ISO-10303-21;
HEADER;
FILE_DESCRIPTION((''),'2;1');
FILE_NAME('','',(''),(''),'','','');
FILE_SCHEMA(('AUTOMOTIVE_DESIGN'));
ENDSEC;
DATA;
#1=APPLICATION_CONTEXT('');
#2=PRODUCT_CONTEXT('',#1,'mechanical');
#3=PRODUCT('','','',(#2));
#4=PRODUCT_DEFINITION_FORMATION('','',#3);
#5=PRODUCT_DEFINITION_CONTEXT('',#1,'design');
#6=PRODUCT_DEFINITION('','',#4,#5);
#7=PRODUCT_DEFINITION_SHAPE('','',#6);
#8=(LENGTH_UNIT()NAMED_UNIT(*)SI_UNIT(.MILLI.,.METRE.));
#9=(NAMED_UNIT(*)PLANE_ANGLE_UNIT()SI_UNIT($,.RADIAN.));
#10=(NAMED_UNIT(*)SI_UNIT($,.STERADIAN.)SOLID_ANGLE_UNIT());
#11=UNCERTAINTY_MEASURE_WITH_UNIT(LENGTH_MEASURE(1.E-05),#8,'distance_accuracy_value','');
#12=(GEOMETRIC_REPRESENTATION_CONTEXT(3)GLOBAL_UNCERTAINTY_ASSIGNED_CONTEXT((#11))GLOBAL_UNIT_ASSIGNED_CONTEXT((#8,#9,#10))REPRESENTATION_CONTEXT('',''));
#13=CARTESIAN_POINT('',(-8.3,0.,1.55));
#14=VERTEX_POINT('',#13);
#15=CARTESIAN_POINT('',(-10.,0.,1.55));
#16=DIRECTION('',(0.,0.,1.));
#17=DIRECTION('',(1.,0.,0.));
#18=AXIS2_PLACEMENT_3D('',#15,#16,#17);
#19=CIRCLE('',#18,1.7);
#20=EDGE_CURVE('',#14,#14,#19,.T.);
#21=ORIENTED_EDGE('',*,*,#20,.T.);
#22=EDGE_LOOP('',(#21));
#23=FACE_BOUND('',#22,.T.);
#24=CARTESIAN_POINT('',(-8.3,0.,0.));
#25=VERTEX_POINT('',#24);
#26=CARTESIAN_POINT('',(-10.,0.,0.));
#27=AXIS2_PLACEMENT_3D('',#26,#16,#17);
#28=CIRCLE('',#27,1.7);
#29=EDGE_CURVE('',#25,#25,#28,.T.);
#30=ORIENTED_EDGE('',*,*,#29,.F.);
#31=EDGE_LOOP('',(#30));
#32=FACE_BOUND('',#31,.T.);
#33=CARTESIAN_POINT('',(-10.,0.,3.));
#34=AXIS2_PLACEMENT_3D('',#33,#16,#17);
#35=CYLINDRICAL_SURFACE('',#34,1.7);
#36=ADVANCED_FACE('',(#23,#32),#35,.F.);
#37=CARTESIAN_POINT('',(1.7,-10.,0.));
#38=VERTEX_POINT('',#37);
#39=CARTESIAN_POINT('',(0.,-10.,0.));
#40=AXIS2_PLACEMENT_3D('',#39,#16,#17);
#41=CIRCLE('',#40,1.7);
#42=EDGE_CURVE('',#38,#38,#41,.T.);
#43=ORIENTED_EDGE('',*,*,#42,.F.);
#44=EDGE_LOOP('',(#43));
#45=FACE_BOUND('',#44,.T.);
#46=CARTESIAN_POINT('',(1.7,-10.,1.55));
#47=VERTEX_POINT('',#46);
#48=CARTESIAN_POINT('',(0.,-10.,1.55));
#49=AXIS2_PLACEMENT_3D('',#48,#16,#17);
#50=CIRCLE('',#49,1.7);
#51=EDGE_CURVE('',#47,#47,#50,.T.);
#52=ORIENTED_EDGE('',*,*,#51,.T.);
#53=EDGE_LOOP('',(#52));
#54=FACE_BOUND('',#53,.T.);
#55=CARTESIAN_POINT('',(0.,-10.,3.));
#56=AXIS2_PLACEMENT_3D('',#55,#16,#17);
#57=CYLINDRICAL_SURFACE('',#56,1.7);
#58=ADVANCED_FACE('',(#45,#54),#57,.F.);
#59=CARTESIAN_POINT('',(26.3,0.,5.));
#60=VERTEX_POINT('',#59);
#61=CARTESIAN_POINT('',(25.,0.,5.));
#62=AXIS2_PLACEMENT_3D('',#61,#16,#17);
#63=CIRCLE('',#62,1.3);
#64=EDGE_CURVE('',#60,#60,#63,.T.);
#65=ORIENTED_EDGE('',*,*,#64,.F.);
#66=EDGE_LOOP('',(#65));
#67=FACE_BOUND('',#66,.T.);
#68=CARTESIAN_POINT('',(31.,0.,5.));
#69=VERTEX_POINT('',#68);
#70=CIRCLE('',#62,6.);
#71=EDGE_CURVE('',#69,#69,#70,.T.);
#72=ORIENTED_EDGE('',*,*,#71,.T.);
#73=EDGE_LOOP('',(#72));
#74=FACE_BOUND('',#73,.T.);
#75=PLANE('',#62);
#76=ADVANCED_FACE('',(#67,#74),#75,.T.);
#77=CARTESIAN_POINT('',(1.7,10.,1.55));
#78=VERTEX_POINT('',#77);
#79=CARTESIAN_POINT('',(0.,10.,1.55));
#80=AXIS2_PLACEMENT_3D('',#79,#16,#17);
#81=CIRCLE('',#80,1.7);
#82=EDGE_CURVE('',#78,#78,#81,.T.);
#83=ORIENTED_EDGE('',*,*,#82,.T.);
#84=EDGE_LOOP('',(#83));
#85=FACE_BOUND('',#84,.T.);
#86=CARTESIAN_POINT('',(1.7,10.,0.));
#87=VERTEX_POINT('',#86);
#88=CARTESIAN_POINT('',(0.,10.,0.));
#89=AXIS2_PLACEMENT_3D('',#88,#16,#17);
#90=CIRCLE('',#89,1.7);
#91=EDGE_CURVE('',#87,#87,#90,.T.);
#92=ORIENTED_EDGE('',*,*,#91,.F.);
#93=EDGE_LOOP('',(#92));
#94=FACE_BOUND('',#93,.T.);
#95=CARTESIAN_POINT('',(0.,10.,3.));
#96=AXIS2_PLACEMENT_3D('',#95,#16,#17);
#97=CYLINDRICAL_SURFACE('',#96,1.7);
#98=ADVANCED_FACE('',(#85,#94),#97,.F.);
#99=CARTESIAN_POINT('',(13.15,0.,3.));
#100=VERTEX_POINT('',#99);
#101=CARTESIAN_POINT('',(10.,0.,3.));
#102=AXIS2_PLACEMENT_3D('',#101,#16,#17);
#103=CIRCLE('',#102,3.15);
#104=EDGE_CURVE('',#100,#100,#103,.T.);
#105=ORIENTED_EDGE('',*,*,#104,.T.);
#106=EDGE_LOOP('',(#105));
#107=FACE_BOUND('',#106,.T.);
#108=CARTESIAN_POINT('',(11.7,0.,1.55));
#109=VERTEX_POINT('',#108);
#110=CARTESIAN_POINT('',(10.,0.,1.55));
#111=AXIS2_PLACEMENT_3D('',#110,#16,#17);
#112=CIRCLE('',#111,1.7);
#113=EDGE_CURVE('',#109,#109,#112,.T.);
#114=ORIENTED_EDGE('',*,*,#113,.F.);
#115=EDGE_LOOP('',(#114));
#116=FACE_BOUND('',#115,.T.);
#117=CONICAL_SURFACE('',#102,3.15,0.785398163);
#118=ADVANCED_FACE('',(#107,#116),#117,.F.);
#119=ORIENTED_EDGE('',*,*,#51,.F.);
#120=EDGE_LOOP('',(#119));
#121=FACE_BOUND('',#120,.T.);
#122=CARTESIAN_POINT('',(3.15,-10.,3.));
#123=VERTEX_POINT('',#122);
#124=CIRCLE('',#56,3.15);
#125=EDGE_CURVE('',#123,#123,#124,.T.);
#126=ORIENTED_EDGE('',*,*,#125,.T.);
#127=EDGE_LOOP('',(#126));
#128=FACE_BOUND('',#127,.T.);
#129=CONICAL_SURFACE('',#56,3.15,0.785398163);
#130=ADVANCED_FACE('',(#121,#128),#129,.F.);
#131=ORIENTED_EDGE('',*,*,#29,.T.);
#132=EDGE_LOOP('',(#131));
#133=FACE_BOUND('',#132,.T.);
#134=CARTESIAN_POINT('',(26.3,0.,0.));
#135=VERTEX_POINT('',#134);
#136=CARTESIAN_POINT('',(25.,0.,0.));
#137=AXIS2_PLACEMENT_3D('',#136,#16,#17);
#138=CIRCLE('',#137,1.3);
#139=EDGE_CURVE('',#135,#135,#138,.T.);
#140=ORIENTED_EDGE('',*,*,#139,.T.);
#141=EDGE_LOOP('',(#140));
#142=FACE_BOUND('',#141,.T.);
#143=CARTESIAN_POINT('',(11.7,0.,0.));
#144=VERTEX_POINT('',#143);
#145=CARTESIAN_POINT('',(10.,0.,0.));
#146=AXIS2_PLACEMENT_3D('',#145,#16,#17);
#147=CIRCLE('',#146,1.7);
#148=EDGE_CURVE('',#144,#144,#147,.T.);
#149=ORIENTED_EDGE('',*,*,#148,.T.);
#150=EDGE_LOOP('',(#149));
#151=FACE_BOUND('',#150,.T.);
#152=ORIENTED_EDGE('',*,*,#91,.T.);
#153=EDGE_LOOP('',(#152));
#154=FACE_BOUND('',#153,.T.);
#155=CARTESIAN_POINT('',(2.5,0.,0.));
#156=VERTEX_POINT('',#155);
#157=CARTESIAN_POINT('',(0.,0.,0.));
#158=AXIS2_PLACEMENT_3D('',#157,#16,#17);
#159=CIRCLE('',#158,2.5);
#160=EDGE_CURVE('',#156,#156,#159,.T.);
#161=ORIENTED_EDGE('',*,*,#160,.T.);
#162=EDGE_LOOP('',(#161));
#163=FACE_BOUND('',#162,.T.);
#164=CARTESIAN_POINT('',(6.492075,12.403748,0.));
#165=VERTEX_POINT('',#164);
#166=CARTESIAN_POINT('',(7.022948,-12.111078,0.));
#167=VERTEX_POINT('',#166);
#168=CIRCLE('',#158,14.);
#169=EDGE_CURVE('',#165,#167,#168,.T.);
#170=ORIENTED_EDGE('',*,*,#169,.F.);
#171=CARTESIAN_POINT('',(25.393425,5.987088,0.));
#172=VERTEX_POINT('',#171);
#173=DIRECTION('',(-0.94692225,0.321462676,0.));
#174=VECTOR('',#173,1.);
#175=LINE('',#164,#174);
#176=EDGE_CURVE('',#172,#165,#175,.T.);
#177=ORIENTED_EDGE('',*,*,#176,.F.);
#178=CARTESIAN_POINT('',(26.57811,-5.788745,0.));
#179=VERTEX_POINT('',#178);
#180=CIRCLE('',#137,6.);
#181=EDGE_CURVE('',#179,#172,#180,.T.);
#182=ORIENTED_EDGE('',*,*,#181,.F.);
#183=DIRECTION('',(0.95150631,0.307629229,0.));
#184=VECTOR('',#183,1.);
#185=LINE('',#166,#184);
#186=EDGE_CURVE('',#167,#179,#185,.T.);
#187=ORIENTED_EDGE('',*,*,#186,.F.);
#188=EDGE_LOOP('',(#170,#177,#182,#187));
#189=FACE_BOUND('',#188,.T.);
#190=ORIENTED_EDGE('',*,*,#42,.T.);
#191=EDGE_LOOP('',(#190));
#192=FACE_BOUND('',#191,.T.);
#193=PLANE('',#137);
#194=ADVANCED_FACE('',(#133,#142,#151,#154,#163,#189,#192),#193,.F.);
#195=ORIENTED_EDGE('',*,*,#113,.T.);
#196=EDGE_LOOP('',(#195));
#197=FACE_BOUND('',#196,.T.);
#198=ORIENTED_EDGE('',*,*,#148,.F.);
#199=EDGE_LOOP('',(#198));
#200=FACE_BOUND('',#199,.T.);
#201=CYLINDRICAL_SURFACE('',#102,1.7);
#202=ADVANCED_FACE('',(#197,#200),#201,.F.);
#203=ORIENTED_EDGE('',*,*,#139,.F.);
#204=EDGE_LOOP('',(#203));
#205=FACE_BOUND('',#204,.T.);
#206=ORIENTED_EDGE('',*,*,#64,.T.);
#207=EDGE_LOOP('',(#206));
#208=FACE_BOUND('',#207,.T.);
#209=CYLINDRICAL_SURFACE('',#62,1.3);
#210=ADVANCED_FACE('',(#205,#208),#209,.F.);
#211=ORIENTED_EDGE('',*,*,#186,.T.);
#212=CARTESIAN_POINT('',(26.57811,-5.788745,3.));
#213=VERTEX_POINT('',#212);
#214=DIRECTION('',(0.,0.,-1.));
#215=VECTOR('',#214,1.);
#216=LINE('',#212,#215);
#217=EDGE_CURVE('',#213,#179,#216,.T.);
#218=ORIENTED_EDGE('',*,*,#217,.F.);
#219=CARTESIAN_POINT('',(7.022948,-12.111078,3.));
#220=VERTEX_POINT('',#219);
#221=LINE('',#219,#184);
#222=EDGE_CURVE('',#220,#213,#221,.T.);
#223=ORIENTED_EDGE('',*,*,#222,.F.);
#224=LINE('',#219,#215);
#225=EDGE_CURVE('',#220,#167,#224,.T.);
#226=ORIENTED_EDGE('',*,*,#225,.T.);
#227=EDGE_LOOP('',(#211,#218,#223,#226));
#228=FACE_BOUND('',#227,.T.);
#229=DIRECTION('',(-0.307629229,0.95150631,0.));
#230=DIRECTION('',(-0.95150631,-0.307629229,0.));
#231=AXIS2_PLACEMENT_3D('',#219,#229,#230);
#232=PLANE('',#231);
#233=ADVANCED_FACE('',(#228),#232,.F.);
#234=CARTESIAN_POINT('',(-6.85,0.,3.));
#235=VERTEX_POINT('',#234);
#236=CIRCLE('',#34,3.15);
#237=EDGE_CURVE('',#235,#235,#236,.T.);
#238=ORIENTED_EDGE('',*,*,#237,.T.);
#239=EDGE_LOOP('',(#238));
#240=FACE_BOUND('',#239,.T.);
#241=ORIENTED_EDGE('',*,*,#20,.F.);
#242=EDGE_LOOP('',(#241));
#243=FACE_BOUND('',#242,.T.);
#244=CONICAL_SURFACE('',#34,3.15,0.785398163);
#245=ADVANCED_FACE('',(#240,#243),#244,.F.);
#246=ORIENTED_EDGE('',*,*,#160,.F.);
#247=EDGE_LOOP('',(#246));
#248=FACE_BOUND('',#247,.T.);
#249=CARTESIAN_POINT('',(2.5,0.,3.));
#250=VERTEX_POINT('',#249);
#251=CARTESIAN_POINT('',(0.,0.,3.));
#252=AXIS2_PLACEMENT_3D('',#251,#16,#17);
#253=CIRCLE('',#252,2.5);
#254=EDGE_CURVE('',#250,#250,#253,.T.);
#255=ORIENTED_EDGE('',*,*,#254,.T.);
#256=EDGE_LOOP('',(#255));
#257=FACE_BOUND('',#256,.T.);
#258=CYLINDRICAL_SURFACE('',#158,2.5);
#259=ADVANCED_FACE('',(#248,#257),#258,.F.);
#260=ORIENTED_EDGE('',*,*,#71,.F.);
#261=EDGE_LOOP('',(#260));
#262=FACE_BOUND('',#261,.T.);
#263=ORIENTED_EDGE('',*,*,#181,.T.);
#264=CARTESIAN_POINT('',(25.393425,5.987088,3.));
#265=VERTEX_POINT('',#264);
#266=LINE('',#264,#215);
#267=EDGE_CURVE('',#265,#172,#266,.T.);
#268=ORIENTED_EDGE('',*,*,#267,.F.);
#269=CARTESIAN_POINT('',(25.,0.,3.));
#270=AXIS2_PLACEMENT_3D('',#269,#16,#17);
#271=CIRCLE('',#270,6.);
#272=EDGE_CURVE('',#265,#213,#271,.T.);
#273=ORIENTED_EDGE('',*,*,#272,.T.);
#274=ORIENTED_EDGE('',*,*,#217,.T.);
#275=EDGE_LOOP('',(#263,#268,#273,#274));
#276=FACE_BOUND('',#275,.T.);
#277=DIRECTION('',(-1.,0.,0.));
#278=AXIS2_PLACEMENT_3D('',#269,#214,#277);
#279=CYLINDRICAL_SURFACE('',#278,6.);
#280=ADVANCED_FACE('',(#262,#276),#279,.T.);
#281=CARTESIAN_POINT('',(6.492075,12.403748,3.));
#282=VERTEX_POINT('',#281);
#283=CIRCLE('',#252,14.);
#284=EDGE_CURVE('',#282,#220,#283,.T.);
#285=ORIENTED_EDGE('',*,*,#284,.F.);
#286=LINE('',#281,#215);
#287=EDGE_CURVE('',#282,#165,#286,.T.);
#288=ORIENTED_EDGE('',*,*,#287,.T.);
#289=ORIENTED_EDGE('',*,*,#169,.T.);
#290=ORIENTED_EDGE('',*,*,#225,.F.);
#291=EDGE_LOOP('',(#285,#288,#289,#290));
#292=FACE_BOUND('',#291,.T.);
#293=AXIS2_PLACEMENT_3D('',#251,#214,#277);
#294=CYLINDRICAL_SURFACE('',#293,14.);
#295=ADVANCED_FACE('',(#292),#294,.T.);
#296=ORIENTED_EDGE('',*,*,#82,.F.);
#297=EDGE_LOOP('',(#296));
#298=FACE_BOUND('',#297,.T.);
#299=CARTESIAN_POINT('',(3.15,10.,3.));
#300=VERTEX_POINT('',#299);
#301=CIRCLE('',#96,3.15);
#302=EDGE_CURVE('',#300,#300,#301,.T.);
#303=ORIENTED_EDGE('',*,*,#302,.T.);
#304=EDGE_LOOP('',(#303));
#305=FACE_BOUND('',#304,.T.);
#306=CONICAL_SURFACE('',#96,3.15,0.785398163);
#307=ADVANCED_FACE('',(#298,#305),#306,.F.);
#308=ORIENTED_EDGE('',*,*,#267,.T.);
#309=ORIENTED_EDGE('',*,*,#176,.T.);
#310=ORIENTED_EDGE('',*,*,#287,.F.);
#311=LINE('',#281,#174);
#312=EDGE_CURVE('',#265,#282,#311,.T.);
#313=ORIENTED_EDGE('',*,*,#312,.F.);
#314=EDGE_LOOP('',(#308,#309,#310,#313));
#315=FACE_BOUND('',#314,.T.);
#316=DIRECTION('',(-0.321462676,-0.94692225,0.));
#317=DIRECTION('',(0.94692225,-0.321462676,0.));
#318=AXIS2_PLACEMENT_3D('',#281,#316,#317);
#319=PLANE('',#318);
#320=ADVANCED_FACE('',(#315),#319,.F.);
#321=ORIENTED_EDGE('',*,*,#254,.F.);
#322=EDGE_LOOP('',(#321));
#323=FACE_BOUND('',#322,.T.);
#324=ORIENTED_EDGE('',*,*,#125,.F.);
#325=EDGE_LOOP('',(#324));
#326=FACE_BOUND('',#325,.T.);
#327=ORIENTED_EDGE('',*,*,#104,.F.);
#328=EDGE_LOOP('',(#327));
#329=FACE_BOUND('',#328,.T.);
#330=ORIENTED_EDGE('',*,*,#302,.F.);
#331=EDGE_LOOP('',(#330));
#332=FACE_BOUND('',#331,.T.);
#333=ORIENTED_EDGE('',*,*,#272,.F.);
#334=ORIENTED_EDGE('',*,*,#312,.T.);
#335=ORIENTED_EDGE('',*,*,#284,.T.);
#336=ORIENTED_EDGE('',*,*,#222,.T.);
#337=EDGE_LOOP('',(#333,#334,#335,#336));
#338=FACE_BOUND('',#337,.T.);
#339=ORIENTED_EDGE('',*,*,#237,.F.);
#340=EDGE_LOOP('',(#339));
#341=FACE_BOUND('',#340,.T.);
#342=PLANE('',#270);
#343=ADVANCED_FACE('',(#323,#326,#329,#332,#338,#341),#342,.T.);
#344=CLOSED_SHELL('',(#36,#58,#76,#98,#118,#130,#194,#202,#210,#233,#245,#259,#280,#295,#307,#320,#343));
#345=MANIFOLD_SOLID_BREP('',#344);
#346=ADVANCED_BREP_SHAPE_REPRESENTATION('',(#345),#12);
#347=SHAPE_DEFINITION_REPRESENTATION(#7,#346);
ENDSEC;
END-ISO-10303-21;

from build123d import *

# Parameters (mm, degrees)
BOSS_EXTRUDE1_DEPTH                                 = 3
SKETCH2_R                                           = 6
BOSS_EXTRUDE2_DEPTH                                 = 2
TAP_DRILL_FOR_M3X0_5_TAP1_D                         = 2.6
SKETCH5_R                                           = 2.5
CUT_EXTRUDE1_DEPTH                                  = 35.146742158
CSK_FOR_M3_FLAT_COUNTERSUNK_HEAD_SCREW1_D           = 3.4
CSK_FOR_M3_FLAT_COUNTERSUNK_HEAD_SCREW1_DEPTH       = 6
CSK_FOR_M3_FLAT_COUNTERSUNK_HEAD_SCREW1_CSINK_D     = 6.3
CSK_FOR_M3_FLAT_COUNTERSUNK_HEAD_SCREW1_CSINK_ANGLE = 90
CSK_FOR_M3_FLAT_COUNTERSUNK_HEAD_SCREW1_TIP         = 1.021463052


with BuildPart() as part:
    # Sketch1 → Boss-Extrude1 (new body)
    with BuildSketch(Plane.XY):
        with BuildLine():
            Line((6.492075468, 12.403747664), (25.393424513, 5.987087535))
            ThreePointArc((25.393424513, 5.987087535), (30.969865577, 0.600587203), (26.5781102, -5.788744959))
            Line((26.5781102, -5.788744959), (7.022947864, -12.11107771))
            ThreePointArc((7.022947864, -12.11107771), (-13.996718533, -0.30310114), (6.492075468, 12.403747664))
        make_face()
    extrude(amount=BOSS_EXTRUDE1_DEPTH)

    # Sketch2 → Boss-Extrude2 (add)
    with BuildSketch(Plane.XY.offset(3)):
        with Locations(Location((25, 0, 0), (0, 0, 86.240375256))):
            Circle(SKETCH2_R)
    extrude(amount=BOSS_EXTRUDE2_DEPTH)

    # Tap Drill for M3x0.5 Tap1 (through all)
    with Locations(Plane.XY.offset(5)):
        with Locations((25, 0)):
            Hole(TAP_DRILL_FOR_M3X0_5_TAP1_D / 2)

    # Sketch5 → Cut-Extrude1 (cut, through all)
    with BuildSketch(Plane.XY.offset(3)):
        Circle(SKETCH5_R)
    extrude(amount=-CUT_EXTRUDE1_DEPTH, mode=Mode.SUBTRACT)

    # CSK for M3 Flat Countersunk Head Screw1
    with Locations(Plane.XY.offset(3)):
        with Locations((0, 10), (-10, 0), (0, -10), (10, 0)):
            CounterSinkHole(CSK_FOR_M3_FLAT_COUNTERSUNK_HEAD_SCREW1_D / 2, CSK_FOR_M3_FLAT_COUNTERSUNK_HEAD_SCREW1_CSINK_D / 2, depth=CSK_FOR_M3_FLAT_COUNTERSUNK_HEAD_SCREW1_DEPTH, counter_sink_angle=CSK_FOR_M3_FLAT_COUNTERSUNK_HEAD_SCREW1_CSINK_ANGLE)
            with Locations((0, 0, -(CSK_FOR_M3_FLAT_COUNTERSUNK_HEAD_SCREW1_DEPTH + CSK_FOR_M3_FLAT_COUNTERSUNK_HEAD_SCREW1_TIP / 2))):  # 118° drill point
                Cone(0, CSK_FOR_M3_FLAT_COUNTERSUNK_HEAD_SCREW1_D / 2, CSK_FOR_M3_FLAT_COUNTERSUNK_HEAD_SCREW1_TIP, mode=Mode.SUBTRACT)


solid = part.part
